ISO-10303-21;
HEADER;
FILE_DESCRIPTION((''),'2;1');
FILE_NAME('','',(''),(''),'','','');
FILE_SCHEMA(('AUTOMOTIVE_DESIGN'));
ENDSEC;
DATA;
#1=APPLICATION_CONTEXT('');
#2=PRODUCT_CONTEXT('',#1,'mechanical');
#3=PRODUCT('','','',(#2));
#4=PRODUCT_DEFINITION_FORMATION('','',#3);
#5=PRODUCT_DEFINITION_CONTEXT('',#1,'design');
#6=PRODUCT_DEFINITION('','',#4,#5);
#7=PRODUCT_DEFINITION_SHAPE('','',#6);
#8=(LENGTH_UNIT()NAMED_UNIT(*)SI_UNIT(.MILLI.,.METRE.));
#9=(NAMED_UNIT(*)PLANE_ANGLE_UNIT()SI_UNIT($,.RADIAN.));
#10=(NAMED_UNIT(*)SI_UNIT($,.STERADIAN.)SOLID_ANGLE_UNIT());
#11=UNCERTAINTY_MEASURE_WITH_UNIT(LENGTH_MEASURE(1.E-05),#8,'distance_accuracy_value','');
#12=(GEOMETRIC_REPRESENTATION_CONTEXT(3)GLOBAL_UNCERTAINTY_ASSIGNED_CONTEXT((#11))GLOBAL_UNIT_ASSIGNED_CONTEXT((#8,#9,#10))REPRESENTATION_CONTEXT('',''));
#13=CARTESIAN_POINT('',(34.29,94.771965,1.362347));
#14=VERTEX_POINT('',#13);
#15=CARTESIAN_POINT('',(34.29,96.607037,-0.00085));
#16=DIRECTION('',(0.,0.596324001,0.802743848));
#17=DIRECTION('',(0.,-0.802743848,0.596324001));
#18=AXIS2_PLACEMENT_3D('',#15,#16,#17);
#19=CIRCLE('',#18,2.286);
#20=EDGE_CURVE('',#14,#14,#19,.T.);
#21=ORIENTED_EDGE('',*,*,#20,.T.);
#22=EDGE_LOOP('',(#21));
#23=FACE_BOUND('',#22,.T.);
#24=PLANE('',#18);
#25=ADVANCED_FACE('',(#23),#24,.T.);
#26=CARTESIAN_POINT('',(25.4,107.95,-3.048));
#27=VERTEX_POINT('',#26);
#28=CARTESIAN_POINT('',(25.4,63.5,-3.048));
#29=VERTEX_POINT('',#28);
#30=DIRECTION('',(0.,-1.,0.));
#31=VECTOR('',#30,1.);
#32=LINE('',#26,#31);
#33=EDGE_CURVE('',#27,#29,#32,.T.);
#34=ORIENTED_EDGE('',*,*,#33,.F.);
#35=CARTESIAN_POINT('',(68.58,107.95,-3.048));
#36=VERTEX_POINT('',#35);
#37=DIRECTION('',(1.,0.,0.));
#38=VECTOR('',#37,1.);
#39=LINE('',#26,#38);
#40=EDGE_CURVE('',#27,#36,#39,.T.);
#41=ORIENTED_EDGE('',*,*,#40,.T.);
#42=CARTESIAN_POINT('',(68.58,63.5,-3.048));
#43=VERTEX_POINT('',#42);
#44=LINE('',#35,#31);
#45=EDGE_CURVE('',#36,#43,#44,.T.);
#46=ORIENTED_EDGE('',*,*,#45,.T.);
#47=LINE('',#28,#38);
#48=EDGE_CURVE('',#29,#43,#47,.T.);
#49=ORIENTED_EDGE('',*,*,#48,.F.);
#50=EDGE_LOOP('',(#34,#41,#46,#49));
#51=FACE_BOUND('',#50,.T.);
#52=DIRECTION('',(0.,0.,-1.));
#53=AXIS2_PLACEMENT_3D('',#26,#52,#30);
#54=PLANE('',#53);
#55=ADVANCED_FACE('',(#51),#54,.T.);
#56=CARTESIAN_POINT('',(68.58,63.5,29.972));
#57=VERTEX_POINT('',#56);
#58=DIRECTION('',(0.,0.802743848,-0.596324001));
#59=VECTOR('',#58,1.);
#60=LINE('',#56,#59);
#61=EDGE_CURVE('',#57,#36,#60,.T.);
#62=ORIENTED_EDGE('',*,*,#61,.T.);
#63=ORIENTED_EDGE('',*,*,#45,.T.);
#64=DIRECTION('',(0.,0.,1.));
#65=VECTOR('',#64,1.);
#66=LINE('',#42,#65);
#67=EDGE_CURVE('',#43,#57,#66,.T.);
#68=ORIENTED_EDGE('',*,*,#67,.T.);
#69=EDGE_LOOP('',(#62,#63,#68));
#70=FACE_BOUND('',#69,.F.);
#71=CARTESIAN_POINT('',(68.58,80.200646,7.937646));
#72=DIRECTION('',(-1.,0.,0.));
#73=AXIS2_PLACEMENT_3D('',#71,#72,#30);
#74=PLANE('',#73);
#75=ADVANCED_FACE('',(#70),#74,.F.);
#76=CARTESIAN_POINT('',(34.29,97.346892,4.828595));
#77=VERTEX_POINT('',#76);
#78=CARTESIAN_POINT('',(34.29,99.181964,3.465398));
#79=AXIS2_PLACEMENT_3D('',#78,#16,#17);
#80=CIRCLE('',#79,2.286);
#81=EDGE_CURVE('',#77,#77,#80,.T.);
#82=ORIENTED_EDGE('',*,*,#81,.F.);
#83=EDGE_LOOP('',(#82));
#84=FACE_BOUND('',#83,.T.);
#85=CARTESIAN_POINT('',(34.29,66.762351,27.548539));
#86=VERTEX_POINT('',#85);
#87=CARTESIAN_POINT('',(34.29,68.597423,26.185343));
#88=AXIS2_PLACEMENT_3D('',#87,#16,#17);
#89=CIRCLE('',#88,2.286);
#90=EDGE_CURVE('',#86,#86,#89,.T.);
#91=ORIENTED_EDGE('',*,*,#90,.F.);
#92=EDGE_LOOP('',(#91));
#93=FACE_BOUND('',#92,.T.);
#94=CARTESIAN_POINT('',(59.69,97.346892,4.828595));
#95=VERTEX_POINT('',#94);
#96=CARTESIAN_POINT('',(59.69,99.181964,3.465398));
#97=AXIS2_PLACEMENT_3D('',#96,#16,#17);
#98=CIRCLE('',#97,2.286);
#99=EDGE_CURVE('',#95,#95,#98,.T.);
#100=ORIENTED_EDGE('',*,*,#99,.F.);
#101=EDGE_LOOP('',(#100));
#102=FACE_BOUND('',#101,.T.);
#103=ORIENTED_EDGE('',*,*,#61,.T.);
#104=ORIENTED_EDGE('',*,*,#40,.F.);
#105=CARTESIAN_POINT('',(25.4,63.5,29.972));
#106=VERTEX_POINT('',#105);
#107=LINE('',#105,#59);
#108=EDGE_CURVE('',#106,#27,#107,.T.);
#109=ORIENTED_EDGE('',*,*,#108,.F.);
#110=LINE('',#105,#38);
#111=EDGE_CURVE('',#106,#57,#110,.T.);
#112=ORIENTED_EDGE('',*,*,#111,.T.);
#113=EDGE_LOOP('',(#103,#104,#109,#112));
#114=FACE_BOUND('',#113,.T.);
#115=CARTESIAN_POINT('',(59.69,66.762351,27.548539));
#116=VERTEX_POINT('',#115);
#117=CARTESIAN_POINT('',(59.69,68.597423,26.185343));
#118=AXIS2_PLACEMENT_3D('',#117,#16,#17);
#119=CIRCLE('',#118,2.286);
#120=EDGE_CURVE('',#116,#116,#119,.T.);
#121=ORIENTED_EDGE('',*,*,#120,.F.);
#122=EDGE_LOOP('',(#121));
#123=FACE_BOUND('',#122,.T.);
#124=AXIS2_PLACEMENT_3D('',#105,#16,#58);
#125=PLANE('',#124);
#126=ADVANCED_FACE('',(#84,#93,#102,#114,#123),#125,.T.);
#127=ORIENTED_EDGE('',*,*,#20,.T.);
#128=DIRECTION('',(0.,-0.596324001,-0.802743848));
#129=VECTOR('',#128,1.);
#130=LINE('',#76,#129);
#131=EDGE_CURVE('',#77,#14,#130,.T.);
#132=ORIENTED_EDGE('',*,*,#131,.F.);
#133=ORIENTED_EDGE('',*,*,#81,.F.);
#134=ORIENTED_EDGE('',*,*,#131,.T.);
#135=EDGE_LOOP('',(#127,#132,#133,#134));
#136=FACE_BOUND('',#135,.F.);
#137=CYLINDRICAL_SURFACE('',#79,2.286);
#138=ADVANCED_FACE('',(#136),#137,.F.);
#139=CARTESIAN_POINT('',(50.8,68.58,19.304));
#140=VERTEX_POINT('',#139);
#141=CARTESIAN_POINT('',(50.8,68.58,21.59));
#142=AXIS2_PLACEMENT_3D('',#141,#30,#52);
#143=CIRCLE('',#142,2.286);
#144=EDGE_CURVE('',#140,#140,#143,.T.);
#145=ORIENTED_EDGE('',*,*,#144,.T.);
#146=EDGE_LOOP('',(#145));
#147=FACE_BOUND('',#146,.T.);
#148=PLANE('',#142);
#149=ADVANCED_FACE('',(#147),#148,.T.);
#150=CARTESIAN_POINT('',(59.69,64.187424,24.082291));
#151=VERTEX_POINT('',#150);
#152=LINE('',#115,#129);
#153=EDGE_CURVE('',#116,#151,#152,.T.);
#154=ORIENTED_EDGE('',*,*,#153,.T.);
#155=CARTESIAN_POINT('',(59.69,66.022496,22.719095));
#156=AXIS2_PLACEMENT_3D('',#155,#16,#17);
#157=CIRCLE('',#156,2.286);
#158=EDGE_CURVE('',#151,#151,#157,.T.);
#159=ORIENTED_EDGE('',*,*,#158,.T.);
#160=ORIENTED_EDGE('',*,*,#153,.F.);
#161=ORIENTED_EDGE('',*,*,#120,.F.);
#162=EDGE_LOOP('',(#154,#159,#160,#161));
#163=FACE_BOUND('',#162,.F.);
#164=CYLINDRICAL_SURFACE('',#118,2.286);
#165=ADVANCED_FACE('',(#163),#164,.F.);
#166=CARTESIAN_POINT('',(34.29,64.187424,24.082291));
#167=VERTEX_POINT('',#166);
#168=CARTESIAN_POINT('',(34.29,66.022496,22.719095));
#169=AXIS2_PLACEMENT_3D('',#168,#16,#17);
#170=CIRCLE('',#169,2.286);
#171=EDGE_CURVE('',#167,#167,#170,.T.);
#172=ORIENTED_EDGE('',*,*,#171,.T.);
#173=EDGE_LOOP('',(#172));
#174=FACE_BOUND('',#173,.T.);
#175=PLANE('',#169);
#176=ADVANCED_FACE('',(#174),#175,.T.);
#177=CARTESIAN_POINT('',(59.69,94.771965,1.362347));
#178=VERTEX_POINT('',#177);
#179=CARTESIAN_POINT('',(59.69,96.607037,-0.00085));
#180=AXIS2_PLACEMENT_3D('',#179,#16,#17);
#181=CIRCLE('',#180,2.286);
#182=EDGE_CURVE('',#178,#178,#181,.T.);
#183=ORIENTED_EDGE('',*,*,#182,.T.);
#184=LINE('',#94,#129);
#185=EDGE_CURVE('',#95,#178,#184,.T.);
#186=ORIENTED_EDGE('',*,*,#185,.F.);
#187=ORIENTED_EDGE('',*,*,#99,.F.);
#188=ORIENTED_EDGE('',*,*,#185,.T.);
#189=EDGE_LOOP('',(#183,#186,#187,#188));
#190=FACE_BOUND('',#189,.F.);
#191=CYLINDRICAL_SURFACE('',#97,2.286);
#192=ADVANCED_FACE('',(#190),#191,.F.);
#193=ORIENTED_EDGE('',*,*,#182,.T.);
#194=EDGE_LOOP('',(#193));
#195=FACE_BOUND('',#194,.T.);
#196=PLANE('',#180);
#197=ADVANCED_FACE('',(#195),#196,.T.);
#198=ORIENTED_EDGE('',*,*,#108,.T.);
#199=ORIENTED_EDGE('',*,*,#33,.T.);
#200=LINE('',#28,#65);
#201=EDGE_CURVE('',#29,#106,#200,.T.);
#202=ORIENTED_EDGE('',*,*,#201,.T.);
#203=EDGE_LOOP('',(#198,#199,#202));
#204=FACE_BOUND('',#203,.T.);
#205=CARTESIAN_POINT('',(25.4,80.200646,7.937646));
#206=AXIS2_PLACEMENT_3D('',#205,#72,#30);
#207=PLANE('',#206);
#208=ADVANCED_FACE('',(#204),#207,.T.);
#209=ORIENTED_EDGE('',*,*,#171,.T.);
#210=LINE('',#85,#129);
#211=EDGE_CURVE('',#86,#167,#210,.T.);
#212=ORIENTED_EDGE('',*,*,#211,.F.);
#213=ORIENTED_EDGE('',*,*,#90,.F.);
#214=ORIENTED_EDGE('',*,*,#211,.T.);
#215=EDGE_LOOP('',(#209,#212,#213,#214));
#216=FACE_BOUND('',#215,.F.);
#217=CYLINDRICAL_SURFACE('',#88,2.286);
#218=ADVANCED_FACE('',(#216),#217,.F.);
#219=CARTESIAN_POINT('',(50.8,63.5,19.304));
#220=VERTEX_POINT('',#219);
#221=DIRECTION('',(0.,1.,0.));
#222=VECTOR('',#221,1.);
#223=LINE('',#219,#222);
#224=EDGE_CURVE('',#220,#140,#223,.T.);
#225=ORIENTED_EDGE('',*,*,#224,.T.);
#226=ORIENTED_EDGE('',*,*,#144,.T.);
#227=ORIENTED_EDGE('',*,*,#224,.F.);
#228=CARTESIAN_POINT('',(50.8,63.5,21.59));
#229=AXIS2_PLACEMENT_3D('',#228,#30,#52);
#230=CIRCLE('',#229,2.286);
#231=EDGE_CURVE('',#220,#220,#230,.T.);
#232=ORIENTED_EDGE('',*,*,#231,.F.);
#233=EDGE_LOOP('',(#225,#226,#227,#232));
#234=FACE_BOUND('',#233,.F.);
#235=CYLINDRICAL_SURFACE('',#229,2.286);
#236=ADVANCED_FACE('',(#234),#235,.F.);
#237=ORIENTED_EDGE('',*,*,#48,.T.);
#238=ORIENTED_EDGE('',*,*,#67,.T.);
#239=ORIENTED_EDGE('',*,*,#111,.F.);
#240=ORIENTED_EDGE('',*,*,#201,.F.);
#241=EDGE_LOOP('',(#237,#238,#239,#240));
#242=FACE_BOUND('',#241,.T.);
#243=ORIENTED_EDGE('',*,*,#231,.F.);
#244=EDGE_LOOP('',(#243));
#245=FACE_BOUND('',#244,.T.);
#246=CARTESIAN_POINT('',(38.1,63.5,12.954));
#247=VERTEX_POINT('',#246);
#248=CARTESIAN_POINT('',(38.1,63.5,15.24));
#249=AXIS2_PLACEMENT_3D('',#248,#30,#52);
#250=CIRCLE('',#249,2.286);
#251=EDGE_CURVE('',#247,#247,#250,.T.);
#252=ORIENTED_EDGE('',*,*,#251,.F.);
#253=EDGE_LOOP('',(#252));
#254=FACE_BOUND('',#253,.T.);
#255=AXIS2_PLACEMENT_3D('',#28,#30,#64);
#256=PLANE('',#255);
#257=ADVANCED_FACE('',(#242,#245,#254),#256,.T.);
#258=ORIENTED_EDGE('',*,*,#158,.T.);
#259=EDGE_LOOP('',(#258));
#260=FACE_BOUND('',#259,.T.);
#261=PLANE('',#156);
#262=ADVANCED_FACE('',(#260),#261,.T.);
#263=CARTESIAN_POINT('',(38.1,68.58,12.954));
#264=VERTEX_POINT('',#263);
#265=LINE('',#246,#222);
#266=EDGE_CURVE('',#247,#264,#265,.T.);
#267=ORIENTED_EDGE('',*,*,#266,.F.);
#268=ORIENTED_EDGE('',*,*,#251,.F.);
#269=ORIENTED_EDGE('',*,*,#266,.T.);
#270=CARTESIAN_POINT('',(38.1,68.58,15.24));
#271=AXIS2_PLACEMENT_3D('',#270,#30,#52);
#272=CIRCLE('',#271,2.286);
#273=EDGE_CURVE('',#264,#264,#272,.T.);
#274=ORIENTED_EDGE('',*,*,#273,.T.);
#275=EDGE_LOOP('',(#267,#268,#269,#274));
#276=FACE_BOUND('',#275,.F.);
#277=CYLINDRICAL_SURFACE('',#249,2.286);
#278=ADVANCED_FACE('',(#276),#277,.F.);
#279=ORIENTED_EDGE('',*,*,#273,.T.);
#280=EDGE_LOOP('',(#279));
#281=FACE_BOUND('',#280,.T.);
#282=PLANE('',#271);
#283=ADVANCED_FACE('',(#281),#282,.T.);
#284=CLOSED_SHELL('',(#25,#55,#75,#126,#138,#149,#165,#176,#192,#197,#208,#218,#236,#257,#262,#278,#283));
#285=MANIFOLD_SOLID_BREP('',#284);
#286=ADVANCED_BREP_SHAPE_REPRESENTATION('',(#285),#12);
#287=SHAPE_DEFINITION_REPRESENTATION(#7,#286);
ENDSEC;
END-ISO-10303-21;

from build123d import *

# Parameters (mm, degrees)
PAD032_DEPTH    = 43.18
SKETCH068_R     = 2.286
POCKET031_DEPTH = 5.08
SKETCH069_R     = 2.286
POCKET032_DEPTH = 4.318


with BuildPart() as part:
    # Sketch067 → Pad032 (new body)
    with BuildSketch(Plane.YZ):
        Polygon((0, 0), (0, 33.02), (44.45, 0), align=None)
    extrude(amount=PAD032_DEPTH)

    # Sketch068 (on Face1 of Pad032) → Pocket031 (cut)
    with BuildSketch(Plane(origin=(0, 0, 0), x_dir=(0, 0, -1), z_dir=(0, -1, 0))):
        with Locations((-18.288, 12.7)):
            Circle(SKETCH068_R)
        with Locations((-24.638, 25.4)):
            Circle(SKETCH068_R)
    extrude(amount=-POCKET031_DEPTH, mode=Mode.SUBTRACT)

    # Sketch069 (on Face5 of Pocket031) → Pocket032 (cut)
    with BuildSketch(Plane(origin=(0, 15.8065228827, 21.2780115729), x_dir=(0, -0.802743848, 0.5963240013), z_dir=(0, 0.5963240013, 0.802743848))):
        with Locations((13.3406185242, 34.29)):
            Circle(SKETCH069_R)
        with Locations((13.3406185242, 8.89)):
            Circle(SKETCH069_R)
        with Locations((-24.7593814758, 34.29)):
            Circle(SKETCH069_R)
        with Locations((-24.7593814758, 8.89)):
            Circle(SKETCH069_R)
    extrude(amount=-POCKET032_DEPTH, mode=Mode.SUBTRACT)


with BuildPart() as part_1:
    # Body024 placement: moved
    add(part.part.moved(Location((25.4, 63.5, -3.048))))


solid = part_1.part
